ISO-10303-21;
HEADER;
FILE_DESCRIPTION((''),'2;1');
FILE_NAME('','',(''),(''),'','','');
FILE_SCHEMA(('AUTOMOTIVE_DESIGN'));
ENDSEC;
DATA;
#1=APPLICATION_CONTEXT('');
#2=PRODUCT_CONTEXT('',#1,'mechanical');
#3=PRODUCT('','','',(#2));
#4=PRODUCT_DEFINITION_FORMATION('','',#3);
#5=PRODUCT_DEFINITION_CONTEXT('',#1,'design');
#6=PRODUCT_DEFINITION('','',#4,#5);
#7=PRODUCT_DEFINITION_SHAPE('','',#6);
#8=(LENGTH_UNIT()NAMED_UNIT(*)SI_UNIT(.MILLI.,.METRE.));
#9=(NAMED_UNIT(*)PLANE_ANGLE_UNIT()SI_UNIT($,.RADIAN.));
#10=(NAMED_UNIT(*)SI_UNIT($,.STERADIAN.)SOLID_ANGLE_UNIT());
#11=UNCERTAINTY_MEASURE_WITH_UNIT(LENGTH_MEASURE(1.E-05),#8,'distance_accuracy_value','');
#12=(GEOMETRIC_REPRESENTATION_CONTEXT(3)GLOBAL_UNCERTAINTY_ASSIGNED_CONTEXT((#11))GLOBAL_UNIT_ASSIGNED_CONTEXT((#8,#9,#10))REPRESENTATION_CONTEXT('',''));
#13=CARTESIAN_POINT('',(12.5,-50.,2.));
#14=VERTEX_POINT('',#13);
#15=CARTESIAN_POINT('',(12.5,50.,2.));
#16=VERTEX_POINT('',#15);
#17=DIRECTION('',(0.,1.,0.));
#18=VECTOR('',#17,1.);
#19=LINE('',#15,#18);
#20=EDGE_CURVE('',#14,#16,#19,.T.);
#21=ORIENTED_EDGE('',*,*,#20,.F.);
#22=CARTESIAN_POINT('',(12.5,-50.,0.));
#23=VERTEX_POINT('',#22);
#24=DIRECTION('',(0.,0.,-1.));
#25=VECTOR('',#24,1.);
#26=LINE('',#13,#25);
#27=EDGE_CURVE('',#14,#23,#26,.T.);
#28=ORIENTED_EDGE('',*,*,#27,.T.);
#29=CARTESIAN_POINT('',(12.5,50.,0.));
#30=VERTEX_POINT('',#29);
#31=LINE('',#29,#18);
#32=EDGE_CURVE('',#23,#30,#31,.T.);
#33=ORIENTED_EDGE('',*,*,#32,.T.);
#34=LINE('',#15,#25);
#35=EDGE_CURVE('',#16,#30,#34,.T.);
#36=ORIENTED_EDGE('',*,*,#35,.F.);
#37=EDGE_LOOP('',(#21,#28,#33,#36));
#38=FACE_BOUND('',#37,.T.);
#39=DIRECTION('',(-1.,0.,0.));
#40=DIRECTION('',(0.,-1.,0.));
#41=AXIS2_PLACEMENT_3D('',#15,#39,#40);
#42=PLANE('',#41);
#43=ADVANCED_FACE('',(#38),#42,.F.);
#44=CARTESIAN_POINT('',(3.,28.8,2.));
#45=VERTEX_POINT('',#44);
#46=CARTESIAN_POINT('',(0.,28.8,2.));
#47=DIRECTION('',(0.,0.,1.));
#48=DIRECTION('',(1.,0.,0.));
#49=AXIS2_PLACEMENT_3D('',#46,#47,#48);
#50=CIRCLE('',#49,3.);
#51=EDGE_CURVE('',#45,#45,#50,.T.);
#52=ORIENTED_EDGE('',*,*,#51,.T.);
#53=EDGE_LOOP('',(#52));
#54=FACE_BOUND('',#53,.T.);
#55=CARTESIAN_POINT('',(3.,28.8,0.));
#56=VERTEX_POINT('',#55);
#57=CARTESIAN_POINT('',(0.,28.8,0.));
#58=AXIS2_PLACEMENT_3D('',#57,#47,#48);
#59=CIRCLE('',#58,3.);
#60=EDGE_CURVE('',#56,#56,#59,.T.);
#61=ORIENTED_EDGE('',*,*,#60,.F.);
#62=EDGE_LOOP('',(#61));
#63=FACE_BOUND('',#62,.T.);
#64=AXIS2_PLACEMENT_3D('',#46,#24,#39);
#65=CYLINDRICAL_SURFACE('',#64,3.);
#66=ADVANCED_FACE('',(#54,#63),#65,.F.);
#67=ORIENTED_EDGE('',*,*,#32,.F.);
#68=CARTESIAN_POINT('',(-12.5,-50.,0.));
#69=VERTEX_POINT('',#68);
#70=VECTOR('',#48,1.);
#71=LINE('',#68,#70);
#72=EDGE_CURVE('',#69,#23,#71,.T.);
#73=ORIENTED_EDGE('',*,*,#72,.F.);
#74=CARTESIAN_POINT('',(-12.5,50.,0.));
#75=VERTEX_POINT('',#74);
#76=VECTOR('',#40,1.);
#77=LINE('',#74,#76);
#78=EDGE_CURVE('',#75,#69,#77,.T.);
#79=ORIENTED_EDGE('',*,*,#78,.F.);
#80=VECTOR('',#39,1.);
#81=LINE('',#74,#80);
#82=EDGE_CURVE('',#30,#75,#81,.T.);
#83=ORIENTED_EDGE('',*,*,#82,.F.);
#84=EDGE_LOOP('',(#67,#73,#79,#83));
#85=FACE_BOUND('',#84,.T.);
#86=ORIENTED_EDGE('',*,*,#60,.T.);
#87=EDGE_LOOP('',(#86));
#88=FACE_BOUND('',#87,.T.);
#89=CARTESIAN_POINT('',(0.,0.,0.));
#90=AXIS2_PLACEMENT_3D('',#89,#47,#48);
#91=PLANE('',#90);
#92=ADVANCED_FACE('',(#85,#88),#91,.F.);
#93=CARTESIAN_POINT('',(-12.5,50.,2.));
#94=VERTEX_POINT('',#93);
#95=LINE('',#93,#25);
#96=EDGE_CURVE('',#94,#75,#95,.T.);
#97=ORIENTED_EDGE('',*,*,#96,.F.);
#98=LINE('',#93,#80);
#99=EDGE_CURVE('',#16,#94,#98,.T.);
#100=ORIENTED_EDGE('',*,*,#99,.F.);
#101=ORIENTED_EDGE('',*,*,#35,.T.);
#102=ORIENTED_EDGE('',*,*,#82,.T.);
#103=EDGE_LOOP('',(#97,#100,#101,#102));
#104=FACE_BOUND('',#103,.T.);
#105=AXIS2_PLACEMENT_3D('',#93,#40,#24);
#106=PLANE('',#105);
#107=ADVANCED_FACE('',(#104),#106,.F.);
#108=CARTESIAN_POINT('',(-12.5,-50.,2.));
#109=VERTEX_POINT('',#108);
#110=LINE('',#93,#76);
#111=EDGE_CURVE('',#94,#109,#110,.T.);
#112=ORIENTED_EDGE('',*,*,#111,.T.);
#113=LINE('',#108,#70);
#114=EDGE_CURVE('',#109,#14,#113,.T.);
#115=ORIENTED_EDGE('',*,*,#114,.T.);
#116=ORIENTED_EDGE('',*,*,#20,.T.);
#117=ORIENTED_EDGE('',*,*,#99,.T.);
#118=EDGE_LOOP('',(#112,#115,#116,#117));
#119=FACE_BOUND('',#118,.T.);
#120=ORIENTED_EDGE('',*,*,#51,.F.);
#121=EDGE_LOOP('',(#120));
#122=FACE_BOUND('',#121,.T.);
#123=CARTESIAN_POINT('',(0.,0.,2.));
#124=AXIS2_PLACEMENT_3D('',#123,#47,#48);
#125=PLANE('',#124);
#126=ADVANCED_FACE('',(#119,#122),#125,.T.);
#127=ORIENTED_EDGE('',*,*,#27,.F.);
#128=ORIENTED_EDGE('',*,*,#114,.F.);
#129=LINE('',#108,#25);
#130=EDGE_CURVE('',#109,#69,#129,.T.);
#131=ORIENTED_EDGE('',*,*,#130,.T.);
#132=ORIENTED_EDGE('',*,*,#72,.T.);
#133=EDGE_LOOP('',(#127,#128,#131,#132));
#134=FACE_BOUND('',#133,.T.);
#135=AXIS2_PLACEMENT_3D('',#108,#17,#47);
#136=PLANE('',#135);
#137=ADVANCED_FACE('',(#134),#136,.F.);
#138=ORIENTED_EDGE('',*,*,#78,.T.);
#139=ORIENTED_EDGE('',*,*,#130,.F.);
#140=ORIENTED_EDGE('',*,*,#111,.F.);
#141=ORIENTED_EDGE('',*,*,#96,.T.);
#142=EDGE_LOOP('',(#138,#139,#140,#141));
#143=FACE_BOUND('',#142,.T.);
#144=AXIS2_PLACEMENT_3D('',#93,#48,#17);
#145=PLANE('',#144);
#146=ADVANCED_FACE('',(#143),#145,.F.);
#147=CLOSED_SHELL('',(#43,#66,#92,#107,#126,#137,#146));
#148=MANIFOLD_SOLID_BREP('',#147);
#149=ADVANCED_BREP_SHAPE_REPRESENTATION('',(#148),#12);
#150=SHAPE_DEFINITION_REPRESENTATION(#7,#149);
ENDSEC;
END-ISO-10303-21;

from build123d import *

# Parameters (mm, degrees)
SKETCH_1_W      = 25
SKETCH_1_H      = 100
SKETCH_1_R      = 3
EXTRUDE_1_DEPTH = 2


with BuildPart() as part:
    # ｽｹｯﾁ1 → ﾎﾞｽ - 押し出し1 (new body)
    with BuildSketch(Plane.XY):
        Rectangle(SKETCH_1_W, SKETCH_1_H)
        with Locations((0, 28.8)):
            Circle(SKETCH_1_R, mode=Mode.SUBTRACT)
    extrude(amount=EXTRUDE_1_DEPTH)


solid = part.part
